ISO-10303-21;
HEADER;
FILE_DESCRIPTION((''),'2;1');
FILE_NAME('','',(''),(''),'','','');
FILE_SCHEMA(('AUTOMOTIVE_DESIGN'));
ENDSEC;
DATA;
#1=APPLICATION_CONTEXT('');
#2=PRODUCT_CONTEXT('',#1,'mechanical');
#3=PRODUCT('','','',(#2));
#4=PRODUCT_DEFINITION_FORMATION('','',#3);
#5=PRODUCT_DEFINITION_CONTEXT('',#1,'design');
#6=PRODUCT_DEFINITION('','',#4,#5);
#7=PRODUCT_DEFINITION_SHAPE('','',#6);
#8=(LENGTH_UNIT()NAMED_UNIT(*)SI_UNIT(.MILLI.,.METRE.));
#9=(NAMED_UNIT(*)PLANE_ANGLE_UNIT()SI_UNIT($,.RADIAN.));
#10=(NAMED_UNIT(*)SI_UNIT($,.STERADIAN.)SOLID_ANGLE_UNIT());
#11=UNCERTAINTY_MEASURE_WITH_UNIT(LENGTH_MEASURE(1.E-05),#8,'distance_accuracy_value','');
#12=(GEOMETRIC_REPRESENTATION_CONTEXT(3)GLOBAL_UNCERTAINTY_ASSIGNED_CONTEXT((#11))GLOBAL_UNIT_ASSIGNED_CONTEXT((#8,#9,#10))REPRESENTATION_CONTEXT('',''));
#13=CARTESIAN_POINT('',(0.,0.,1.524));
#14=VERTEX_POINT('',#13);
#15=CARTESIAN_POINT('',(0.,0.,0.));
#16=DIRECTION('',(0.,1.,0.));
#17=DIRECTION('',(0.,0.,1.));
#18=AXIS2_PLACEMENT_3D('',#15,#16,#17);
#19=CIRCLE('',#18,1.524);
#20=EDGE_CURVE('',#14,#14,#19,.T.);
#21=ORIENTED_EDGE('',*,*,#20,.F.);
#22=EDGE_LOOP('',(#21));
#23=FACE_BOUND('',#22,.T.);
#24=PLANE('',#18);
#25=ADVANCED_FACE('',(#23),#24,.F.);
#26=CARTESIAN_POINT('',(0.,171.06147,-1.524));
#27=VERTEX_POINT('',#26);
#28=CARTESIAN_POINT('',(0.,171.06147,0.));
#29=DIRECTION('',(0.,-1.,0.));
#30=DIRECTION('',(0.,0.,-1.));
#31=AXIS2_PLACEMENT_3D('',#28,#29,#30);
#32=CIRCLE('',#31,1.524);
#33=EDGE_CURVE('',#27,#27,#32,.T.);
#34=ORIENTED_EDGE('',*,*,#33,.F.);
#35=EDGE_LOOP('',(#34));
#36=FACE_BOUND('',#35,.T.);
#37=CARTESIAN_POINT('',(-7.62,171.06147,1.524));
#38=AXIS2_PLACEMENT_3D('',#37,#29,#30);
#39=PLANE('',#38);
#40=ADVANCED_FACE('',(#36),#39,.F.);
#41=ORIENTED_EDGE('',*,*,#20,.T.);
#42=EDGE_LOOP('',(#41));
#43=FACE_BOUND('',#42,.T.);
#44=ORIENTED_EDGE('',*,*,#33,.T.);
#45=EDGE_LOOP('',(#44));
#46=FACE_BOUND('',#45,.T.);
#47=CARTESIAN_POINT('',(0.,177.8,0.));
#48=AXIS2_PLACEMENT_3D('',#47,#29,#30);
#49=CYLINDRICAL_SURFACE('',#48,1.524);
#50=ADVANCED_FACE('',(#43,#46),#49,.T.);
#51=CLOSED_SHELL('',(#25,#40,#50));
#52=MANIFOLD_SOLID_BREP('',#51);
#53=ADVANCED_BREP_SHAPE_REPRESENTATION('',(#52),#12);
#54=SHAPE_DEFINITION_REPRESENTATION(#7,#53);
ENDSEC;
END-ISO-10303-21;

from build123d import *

# Parameters (mm, degrees)
CROQUIS1_R                 = 1.524
SALIENTE_EXTRUIR1_DEPTH    = 177.8
CROQUIS2_W                 = 3.048
CROQUIS2_H                 = 6.738530463
CORTAR_EXTRUIR1_DEPTH      = 8.128
CORTAR_EXTRUIR1_DEPTH_BACK = 7.62


with BuildPart() as part:
    # Croquis1 → Saliente-Extruir1 (new body)
    with BuildSketch(Plane(origin=(0, 0, 0), x_dir=(1, 0, 0), z_dir=(0, 1, 0))):
        Circle(CROQUIS1_R)
    extrude(amount=SALIENTE_EXTRUIR1_DEPTH)

    # Croquis2 → Cortar-Extruir1 (cut, two sides)
    with BuildSketch(Plane(origin=(0, 0, 0), x_dir=(0, 0, -1), z_dir=(1, 0, 0))) as cortar_extruir1_sk:
        with Locations((0, 174.430734769)):
            Rectangle(CROQUIS2_W, CROQUIS2_H)
    extrude(amount=CORTAR_EXTRUIR1_DEPTH, mode=Mode.SUBTRACT)
    extrude(cortar_extruir1_sk.sketch, amount=-CORTAR_EXTRUIR1_DEPTH_BACK, mode=Mode.SUBTRACT)


solid = part.part
